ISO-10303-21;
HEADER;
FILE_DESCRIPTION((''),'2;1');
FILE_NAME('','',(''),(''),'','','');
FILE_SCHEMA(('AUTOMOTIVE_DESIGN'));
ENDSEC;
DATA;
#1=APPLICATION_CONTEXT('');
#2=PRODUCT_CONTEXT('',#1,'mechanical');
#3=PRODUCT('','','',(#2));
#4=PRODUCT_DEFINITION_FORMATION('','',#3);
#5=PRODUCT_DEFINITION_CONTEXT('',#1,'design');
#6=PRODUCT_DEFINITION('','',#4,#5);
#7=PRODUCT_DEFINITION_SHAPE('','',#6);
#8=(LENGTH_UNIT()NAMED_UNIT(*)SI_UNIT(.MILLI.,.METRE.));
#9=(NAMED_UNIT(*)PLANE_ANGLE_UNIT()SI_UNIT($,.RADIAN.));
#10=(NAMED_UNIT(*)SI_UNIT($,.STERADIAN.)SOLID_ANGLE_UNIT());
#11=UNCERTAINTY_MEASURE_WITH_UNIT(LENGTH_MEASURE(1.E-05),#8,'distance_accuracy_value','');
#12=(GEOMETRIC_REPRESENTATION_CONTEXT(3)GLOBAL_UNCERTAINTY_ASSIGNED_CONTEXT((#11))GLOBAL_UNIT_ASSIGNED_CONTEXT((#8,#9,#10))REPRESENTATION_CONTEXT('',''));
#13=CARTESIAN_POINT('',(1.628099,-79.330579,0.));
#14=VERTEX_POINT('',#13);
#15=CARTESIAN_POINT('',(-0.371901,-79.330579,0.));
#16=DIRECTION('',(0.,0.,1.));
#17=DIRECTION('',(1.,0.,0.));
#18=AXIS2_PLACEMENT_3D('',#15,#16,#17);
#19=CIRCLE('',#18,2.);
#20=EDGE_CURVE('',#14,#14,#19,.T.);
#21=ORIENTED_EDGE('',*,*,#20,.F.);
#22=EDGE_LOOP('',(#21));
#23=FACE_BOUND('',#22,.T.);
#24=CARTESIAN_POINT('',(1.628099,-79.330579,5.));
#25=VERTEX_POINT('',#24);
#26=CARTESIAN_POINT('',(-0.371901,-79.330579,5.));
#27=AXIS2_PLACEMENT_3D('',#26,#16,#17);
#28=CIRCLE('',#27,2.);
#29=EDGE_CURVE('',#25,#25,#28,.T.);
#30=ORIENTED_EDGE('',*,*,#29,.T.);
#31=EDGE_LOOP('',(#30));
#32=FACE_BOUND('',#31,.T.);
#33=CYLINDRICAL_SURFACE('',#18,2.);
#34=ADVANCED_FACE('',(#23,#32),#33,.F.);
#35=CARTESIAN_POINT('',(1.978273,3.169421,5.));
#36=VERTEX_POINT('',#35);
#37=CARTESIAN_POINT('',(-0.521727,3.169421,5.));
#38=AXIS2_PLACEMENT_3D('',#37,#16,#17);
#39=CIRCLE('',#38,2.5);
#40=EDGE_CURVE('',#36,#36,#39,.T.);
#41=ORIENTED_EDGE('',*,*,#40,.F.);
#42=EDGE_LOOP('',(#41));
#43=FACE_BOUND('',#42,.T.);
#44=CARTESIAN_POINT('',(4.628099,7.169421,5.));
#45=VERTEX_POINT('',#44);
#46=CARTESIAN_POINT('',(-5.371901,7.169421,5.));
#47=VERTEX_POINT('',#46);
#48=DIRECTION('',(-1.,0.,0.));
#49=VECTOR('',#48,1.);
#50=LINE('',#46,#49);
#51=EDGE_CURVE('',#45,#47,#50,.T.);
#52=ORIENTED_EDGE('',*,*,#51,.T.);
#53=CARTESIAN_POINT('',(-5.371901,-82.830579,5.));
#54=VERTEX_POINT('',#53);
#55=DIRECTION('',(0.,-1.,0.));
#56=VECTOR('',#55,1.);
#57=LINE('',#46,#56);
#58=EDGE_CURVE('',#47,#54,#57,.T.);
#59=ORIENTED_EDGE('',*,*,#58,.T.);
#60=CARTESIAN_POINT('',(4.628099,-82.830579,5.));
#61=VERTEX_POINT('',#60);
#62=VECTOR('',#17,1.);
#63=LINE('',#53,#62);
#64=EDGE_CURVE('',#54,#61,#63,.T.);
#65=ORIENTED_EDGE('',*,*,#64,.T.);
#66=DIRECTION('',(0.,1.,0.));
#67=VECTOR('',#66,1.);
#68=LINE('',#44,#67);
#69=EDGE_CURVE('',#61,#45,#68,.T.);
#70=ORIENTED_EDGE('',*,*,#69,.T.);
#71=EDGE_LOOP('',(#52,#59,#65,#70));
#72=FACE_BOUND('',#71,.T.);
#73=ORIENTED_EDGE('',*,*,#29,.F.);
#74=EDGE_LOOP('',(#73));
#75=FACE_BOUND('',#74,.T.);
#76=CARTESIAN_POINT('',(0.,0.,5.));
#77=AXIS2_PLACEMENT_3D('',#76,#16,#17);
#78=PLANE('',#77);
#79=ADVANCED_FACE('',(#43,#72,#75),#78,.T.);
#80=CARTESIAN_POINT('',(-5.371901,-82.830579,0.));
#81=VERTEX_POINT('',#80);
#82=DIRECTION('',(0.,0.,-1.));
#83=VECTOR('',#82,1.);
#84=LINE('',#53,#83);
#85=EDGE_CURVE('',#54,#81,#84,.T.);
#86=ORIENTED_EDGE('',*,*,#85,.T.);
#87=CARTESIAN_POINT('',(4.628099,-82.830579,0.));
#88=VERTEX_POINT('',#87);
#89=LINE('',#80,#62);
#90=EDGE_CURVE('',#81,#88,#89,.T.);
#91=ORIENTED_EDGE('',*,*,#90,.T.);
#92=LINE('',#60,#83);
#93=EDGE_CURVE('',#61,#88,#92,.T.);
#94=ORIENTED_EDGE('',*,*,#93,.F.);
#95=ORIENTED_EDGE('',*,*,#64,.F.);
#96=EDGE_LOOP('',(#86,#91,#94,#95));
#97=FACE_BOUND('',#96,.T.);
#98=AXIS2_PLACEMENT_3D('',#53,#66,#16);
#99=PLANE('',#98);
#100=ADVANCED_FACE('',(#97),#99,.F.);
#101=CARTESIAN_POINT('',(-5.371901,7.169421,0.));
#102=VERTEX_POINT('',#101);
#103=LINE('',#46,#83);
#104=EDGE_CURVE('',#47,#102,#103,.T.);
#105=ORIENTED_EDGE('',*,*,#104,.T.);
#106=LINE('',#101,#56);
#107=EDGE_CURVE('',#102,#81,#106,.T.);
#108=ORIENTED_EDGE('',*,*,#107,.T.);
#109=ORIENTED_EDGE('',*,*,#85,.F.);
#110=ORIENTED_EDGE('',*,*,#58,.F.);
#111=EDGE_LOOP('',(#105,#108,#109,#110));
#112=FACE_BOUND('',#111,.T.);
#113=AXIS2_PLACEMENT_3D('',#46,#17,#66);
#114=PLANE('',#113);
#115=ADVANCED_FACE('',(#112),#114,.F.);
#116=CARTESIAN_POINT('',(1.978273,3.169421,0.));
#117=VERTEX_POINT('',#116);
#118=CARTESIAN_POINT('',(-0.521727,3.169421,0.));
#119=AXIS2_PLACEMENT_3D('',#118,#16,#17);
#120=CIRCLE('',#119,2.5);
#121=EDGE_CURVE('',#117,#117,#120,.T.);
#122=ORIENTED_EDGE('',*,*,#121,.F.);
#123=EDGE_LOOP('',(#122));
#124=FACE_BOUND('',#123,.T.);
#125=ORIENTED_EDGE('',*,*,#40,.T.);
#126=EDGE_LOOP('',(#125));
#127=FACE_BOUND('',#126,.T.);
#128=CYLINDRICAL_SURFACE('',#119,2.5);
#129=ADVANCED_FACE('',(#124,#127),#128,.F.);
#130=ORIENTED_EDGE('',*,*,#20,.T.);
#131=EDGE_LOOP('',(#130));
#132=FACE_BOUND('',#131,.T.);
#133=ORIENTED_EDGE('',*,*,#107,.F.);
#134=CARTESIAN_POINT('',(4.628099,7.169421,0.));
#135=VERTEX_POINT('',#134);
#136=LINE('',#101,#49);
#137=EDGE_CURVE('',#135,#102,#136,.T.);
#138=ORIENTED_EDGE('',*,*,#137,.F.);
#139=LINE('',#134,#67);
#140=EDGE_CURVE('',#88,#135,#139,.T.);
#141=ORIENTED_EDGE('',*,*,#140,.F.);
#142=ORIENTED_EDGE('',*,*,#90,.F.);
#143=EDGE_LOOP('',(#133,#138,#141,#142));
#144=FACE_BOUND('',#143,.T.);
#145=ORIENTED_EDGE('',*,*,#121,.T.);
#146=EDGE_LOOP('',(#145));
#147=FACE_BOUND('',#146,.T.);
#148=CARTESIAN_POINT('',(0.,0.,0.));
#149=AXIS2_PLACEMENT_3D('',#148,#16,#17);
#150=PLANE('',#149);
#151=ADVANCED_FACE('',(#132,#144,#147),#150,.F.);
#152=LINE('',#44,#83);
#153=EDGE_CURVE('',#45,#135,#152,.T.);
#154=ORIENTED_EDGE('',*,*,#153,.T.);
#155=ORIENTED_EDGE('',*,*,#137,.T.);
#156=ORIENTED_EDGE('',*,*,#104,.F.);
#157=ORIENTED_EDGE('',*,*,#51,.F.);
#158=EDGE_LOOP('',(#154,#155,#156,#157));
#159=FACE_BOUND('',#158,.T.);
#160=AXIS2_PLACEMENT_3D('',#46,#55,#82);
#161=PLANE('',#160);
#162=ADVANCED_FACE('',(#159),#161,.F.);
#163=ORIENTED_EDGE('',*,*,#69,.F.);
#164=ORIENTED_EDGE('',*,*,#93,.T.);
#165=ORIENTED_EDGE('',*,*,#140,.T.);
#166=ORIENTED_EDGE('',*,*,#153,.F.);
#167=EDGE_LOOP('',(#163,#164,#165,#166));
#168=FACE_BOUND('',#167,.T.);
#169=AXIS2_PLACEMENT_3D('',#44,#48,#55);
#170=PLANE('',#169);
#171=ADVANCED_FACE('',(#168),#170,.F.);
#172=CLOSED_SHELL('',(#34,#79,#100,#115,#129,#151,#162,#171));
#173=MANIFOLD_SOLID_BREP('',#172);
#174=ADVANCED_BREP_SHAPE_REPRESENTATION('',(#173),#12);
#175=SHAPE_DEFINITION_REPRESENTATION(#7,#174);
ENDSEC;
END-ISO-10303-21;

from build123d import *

# Parameters (mm, degrees)
SKETCH1_W           = 10
SKETCH1_H           = 90
BOSS_EXTRUDE1_DEPTH = 5
SKETCH2_R           = 2.5
SKETCH2_R_2         = 2
CUT_EXTRUDE1_DEPTH  = 84.155048284


with BuildPart() as part:
    # Sketch1 → Boss-Extrude1 (new body)
    with BuildSketch(Plane.XY):
        with Locations((-0.371900826, -37.830578512)):
            Rectangle(SKETCH1_W, SKETCH1_H)
    extrude(amount=BOSS_EXTRUDE1_DEPTH)

    # Sketch2 → Cut-Extrude1 (cut, through all)
    with BuildSketch(Plane.XY.offset(5)):
        with Locations((-0.521726903, 3.169421488)):
            Circle(SKETCH2_R)
        with Locations((-0.371900826, -79.330578512)):
            Circle(SKETCH2_R_2)
    extrude(amount=-CUT_EXTRUDE1_DEPTH, mode=Mode.SUBTRACT)


solid = part.part
